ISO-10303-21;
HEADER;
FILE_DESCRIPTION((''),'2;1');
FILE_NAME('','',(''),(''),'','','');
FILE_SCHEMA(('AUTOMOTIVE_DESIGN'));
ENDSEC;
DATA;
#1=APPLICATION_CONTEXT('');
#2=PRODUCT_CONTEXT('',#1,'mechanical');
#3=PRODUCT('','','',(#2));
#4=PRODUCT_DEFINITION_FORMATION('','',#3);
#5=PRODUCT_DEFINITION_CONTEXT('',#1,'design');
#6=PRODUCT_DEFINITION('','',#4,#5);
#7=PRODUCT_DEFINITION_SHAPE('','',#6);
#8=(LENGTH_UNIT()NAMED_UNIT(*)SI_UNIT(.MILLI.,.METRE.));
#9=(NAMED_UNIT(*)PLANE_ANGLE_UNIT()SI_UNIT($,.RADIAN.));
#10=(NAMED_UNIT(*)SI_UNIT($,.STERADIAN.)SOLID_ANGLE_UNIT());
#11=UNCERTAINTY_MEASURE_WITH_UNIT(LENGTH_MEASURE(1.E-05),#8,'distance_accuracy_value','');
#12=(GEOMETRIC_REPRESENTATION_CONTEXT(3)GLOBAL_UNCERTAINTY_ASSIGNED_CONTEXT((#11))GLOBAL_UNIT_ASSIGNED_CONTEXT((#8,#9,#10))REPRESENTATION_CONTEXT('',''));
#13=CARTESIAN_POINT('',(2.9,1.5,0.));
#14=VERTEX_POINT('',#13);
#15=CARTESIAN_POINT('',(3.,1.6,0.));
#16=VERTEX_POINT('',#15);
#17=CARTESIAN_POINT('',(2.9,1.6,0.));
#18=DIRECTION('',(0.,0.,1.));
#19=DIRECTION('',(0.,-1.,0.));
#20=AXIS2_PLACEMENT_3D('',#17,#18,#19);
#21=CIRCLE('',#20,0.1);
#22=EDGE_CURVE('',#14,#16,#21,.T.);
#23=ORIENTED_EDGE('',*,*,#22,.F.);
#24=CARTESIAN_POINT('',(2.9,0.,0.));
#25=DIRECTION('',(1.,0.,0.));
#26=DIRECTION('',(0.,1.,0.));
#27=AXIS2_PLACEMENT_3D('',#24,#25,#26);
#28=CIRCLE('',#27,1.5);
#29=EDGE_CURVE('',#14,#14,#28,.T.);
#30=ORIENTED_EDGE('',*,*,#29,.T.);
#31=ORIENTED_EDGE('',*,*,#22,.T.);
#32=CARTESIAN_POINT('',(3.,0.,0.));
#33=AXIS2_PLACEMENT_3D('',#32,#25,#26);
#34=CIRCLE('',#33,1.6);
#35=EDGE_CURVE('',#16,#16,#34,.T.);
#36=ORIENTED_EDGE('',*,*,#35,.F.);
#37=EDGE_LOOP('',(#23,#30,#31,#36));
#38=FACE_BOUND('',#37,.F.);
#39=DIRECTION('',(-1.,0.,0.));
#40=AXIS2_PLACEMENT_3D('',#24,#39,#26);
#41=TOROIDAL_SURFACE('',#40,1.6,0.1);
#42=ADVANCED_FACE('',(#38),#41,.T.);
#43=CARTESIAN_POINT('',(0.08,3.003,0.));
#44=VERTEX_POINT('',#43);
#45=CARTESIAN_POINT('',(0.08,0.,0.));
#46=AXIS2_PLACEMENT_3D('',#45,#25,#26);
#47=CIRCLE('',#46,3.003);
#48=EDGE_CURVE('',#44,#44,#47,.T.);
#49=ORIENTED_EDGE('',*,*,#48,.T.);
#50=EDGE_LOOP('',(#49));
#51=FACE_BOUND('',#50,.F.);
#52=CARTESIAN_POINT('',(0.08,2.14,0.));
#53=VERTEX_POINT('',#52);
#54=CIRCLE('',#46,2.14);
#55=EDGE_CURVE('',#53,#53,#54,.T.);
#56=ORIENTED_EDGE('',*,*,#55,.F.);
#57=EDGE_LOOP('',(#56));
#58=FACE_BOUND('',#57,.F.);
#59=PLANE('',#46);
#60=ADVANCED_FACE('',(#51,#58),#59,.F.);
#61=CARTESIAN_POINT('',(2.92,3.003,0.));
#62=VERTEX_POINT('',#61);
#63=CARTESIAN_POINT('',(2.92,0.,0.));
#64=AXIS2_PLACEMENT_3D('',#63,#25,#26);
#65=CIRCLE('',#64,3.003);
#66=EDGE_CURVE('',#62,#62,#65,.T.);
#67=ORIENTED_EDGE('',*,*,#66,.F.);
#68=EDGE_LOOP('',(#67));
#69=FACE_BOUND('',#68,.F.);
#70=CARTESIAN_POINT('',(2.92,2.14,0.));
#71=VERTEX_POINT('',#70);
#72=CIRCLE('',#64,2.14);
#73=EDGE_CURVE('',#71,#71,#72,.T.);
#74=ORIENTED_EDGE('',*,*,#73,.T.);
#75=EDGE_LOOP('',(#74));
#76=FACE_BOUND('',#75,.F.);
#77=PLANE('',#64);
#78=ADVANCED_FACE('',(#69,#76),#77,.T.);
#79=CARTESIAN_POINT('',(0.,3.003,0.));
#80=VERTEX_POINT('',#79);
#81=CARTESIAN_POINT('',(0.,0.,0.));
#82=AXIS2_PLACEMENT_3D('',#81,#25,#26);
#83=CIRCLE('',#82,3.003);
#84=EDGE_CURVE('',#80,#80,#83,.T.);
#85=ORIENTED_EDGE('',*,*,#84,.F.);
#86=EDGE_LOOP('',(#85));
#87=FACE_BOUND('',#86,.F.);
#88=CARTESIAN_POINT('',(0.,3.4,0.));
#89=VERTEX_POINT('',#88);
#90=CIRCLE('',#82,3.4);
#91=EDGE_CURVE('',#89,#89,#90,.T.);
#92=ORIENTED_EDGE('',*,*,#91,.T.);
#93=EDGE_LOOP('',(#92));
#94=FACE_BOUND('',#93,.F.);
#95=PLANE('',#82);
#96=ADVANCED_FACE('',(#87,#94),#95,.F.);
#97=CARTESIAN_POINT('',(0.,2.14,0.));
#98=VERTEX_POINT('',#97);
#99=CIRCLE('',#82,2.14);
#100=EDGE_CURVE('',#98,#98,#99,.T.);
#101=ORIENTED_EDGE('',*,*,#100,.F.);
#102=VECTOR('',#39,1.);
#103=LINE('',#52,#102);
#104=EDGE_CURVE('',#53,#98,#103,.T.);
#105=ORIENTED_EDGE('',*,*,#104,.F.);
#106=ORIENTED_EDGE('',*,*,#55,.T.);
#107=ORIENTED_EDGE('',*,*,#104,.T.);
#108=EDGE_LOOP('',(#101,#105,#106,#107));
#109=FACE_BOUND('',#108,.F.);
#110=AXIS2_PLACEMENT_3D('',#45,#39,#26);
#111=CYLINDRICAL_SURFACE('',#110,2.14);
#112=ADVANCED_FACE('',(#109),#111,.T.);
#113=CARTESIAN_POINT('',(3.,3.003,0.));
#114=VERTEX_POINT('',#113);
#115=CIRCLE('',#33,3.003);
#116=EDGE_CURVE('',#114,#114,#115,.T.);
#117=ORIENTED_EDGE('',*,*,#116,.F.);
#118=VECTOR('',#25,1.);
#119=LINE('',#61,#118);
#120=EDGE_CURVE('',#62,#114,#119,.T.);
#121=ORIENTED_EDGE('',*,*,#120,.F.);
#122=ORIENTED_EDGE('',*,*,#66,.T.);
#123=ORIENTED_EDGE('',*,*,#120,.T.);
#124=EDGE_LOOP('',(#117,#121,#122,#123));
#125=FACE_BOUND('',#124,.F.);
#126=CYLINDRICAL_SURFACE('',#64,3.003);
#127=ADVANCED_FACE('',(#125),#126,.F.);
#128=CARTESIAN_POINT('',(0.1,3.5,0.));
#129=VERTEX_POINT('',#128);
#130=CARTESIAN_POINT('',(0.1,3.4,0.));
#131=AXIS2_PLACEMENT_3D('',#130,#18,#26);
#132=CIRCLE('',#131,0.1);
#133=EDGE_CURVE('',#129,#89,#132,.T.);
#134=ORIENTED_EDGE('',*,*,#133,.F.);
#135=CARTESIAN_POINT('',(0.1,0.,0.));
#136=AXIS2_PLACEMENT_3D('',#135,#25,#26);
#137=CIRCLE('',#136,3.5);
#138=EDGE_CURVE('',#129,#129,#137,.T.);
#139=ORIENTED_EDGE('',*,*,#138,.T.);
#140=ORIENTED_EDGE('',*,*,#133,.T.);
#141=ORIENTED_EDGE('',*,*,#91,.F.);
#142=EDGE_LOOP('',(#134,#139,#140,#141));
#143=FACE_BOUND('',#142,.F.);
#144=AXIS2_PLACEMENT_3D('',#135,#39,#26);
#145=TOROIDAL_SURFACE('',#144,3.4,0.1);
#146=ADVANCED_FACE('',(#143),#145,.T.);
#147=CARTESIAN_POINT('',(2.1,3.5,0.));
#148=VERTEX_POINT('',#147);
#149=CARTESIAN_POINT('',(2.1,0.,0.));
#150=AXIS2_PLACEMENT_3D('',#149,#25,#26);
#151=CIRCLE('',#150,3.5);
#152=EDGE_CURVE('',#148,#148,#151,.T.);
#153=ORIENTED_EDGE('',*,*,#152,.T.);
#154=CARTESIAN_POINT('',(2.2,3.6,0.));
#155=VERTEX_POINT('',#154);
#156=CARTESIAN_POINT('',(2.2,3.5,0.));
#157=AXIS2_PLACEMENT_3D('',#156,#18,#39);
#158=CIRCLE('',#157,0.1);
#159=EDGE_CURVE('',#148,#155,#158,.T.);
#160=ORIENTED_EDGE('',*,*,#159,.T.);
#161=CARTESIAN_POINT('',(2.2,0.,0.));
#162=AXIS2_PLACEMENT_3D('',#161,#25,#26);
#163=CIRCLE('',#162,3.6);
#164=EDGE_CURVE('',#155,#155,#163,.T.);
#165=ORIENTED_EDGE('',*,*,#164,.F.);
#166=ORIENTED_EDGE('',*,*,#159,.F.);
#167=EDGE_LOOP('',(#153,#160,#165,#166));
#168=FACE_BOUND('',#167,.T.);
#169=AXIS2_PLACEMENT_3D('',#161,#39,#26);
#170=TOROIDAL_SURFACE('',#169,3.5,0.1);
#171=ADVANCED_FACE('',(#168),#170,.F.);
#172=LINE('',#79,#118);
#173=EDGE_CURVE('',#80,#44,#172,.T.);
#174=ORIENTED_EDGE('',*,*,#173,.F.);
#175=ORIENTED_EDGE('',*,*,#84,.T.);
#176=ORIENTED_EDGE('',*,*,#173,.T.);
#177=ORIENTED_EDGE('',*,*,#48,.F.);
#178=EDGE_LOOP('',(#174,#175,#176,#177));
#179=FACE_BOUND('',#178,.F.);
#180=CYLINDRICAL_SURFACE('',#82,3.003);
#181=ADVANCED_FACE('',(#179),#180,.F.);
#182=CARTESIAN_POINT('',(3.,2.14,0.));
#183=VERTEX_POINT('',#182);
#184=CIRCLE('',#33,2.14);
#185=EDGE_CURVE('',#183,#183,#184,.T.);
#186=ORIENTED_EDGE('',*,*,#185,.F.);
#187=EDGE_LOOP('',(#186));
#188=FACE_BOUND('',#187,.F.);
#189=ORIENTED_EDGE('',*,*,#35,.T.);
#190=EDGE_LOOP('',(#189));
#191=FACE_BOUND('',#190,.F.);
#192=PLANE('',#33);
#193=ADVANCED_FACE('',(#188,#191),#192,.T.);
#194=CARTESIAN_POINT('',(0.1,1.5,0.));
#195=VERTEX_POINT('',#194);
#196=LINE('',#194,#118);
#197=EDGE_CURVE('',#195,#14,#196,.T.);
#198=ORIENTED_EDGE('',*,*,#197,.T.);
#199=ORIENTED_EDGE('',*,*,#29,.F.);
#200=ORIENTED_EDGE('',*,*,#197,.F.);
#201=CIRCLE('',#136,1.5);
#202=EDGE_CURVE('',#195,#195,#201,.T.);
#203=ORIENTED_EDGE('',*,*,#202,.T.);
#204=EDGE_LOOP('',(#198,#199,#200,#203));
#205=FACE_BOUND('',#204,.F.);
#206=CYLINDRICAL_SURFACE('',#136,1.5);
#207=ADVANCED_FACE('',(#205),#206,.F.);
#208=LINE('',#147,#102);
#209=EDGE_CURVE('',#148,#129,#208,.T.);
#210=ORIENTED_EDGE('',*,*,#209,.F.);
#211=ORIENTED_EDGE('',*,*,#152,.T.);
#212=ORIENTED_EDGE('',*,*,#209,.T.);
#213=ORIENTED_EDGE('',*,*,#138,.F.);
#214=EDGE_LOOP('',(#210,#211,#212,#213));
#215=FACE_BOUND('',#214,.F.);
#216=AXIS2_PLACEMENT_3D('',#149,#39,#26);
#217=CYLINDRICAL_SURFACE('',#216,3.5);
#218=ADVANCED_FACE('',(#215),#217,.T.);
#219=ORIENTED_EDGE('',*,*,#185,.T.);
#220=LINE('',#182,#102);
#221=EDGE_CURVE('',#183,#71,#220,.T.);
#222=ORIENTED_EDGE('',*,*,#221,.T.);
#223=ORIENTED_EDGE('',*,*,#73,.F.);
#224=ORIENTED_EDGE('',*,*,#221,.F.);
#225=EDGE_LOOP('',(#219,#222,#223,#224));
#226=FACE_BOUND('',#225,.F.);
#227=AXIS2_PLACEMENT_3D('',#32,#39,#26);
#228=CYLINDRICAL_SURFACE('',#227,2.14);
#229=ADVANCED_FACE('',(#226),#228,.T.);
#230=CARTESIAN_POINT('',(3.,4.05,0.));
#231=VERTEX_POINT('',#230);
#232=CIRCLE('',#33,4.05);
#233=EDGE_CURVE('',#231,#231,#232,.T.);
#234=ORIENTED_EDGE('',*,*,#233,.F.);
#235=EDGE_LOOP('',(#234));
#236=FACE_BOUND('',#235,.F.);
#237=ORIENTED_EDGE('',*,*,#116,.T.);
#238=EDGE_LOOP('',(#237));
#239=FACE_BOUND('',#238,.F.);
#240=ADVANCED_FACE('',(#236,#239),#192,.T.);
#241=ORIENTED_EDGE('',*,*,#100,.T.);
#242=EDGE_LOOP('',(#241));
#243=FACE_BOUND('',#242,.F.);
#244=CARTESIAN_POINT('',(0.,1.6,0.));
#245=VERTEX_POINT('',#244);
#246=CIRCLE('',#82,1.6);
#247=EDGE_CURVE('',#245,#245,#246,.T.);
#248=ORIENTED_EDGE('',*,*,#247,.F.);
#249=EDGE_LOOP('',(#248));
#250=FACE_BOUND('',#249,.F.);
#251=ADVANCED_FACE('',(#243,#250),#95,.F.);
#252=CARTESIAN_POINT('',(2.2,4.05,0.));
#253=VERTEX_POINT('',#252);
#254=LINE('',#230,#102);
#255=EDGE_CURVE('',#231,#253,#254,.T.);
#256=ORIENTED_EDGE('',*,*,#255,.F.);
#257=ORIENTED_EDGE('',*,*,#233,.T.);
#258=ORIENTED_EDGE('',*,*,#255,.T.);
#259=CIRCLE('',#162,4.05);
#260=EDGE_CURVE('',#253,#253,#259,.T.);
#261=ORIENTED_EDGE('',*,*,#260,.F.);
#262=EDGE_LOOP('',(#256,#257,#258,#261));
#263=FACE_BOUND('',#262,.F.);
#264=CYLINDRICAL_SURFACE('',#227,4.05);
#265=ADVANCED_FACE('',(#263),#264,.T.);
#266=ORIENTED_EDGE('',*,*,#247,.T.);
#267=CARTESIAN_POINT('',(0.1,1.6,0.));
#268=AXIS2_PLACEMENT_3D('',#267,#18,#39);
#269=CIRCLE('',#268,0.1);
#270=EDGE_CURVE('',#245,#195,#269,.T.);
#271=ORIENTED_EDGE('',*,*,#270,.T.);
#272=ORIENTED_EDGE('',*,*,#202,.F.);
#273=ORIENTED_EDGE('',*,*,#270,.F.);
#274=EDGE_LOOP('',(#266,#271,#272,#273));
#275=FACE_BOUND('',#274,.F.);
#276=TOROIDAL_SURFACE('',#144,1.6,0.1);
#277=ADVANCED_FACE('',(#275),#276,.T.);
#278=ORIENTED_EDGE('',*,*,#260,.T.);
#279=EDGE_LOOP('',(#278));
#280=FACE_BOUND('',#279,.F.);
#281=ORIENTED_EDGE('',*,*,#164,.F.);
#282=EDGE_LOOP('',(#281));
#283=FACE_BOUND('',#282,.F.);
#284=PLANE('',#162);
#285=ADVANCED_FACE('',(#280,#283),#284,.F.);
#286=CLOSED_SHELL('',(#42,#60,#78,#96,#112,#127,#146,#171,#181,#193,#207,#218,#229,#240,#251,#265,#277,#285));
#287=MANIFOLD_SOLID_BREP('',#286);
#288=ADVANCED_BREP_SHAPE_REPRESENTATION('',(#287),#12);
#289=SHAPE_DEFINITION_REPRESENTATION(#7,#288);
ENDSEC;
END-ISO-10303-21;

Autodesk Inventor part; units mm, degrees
sketch "Sketch_1" plane through (0, 0, 0) normal (0, 0, 1) x (1, 0, 0)
  line L0 (7, 0) -> (-7, 0)
  arc A0 (0, 1.6) -> (0.1, 1.5) centre (0.1, 1.6) ccw
  line L1 (0.1, 1.5) -> (2.9, 1.5)
  arc A1 (2.9, 1.5) -> (3, 1.6) centre (2.9, 1.6) ccw
  line L2 (3, 1.6) -> (3, 2.14)
  line L3 (3, 2.14) -> (2.92, 2.14)
  line L4 (2.92, 2.14) -> (2.92, 3.003)
  line L5 (2.92, 3.003) -> (3, 3.003)
  line L6 (3, 3.003) -> (3, 4.05)
  line L7 (3, 4.05) -> (2.2, 4.05)
  line L8 (2.2, 4.05) -> (2.2, 3.6)
  arc A2 (2.1, 3.5) -> (2.2, 3.6) centre (2.2, 3.5) ccw
  line L9 (2.1, 3.5) -> (0.1, 3.5)
  arc A3 (0.1, 3.5) -> (0, 3.4) centre (0.1, 3.4) ccw
  line L10 (0, 3.4) -> (0, 3.003)
  line L11 (0, 3.003) -> (0.08, 3.003)
  line L12 (0.08, 3.003) -> (0.08, 2.14)
  line L13 (0.08, 2.14) -> (0, 2.14)
  line L14 (0, 2.14) -> (0, 1.6)
revolve "Revolution1" add sketch "Sketch_1" angle 360 about axis through (7, 0, 0) along (1, 0, 0)
ref_plane "to_housing_XY" through (0, 0, 0) normal (1, 0, 0) x (0, 0, -1)
ref_plane "to_housing_YZ" through (0, 0, 0) normal (0, 0, -1) x (0, 1, 0)
ref_plane "to_housing_ZX" through (0, 0, 0) normal (0, 1, 0) x (1, 0, 0)
properties part number "C-EFL683ZZ"
